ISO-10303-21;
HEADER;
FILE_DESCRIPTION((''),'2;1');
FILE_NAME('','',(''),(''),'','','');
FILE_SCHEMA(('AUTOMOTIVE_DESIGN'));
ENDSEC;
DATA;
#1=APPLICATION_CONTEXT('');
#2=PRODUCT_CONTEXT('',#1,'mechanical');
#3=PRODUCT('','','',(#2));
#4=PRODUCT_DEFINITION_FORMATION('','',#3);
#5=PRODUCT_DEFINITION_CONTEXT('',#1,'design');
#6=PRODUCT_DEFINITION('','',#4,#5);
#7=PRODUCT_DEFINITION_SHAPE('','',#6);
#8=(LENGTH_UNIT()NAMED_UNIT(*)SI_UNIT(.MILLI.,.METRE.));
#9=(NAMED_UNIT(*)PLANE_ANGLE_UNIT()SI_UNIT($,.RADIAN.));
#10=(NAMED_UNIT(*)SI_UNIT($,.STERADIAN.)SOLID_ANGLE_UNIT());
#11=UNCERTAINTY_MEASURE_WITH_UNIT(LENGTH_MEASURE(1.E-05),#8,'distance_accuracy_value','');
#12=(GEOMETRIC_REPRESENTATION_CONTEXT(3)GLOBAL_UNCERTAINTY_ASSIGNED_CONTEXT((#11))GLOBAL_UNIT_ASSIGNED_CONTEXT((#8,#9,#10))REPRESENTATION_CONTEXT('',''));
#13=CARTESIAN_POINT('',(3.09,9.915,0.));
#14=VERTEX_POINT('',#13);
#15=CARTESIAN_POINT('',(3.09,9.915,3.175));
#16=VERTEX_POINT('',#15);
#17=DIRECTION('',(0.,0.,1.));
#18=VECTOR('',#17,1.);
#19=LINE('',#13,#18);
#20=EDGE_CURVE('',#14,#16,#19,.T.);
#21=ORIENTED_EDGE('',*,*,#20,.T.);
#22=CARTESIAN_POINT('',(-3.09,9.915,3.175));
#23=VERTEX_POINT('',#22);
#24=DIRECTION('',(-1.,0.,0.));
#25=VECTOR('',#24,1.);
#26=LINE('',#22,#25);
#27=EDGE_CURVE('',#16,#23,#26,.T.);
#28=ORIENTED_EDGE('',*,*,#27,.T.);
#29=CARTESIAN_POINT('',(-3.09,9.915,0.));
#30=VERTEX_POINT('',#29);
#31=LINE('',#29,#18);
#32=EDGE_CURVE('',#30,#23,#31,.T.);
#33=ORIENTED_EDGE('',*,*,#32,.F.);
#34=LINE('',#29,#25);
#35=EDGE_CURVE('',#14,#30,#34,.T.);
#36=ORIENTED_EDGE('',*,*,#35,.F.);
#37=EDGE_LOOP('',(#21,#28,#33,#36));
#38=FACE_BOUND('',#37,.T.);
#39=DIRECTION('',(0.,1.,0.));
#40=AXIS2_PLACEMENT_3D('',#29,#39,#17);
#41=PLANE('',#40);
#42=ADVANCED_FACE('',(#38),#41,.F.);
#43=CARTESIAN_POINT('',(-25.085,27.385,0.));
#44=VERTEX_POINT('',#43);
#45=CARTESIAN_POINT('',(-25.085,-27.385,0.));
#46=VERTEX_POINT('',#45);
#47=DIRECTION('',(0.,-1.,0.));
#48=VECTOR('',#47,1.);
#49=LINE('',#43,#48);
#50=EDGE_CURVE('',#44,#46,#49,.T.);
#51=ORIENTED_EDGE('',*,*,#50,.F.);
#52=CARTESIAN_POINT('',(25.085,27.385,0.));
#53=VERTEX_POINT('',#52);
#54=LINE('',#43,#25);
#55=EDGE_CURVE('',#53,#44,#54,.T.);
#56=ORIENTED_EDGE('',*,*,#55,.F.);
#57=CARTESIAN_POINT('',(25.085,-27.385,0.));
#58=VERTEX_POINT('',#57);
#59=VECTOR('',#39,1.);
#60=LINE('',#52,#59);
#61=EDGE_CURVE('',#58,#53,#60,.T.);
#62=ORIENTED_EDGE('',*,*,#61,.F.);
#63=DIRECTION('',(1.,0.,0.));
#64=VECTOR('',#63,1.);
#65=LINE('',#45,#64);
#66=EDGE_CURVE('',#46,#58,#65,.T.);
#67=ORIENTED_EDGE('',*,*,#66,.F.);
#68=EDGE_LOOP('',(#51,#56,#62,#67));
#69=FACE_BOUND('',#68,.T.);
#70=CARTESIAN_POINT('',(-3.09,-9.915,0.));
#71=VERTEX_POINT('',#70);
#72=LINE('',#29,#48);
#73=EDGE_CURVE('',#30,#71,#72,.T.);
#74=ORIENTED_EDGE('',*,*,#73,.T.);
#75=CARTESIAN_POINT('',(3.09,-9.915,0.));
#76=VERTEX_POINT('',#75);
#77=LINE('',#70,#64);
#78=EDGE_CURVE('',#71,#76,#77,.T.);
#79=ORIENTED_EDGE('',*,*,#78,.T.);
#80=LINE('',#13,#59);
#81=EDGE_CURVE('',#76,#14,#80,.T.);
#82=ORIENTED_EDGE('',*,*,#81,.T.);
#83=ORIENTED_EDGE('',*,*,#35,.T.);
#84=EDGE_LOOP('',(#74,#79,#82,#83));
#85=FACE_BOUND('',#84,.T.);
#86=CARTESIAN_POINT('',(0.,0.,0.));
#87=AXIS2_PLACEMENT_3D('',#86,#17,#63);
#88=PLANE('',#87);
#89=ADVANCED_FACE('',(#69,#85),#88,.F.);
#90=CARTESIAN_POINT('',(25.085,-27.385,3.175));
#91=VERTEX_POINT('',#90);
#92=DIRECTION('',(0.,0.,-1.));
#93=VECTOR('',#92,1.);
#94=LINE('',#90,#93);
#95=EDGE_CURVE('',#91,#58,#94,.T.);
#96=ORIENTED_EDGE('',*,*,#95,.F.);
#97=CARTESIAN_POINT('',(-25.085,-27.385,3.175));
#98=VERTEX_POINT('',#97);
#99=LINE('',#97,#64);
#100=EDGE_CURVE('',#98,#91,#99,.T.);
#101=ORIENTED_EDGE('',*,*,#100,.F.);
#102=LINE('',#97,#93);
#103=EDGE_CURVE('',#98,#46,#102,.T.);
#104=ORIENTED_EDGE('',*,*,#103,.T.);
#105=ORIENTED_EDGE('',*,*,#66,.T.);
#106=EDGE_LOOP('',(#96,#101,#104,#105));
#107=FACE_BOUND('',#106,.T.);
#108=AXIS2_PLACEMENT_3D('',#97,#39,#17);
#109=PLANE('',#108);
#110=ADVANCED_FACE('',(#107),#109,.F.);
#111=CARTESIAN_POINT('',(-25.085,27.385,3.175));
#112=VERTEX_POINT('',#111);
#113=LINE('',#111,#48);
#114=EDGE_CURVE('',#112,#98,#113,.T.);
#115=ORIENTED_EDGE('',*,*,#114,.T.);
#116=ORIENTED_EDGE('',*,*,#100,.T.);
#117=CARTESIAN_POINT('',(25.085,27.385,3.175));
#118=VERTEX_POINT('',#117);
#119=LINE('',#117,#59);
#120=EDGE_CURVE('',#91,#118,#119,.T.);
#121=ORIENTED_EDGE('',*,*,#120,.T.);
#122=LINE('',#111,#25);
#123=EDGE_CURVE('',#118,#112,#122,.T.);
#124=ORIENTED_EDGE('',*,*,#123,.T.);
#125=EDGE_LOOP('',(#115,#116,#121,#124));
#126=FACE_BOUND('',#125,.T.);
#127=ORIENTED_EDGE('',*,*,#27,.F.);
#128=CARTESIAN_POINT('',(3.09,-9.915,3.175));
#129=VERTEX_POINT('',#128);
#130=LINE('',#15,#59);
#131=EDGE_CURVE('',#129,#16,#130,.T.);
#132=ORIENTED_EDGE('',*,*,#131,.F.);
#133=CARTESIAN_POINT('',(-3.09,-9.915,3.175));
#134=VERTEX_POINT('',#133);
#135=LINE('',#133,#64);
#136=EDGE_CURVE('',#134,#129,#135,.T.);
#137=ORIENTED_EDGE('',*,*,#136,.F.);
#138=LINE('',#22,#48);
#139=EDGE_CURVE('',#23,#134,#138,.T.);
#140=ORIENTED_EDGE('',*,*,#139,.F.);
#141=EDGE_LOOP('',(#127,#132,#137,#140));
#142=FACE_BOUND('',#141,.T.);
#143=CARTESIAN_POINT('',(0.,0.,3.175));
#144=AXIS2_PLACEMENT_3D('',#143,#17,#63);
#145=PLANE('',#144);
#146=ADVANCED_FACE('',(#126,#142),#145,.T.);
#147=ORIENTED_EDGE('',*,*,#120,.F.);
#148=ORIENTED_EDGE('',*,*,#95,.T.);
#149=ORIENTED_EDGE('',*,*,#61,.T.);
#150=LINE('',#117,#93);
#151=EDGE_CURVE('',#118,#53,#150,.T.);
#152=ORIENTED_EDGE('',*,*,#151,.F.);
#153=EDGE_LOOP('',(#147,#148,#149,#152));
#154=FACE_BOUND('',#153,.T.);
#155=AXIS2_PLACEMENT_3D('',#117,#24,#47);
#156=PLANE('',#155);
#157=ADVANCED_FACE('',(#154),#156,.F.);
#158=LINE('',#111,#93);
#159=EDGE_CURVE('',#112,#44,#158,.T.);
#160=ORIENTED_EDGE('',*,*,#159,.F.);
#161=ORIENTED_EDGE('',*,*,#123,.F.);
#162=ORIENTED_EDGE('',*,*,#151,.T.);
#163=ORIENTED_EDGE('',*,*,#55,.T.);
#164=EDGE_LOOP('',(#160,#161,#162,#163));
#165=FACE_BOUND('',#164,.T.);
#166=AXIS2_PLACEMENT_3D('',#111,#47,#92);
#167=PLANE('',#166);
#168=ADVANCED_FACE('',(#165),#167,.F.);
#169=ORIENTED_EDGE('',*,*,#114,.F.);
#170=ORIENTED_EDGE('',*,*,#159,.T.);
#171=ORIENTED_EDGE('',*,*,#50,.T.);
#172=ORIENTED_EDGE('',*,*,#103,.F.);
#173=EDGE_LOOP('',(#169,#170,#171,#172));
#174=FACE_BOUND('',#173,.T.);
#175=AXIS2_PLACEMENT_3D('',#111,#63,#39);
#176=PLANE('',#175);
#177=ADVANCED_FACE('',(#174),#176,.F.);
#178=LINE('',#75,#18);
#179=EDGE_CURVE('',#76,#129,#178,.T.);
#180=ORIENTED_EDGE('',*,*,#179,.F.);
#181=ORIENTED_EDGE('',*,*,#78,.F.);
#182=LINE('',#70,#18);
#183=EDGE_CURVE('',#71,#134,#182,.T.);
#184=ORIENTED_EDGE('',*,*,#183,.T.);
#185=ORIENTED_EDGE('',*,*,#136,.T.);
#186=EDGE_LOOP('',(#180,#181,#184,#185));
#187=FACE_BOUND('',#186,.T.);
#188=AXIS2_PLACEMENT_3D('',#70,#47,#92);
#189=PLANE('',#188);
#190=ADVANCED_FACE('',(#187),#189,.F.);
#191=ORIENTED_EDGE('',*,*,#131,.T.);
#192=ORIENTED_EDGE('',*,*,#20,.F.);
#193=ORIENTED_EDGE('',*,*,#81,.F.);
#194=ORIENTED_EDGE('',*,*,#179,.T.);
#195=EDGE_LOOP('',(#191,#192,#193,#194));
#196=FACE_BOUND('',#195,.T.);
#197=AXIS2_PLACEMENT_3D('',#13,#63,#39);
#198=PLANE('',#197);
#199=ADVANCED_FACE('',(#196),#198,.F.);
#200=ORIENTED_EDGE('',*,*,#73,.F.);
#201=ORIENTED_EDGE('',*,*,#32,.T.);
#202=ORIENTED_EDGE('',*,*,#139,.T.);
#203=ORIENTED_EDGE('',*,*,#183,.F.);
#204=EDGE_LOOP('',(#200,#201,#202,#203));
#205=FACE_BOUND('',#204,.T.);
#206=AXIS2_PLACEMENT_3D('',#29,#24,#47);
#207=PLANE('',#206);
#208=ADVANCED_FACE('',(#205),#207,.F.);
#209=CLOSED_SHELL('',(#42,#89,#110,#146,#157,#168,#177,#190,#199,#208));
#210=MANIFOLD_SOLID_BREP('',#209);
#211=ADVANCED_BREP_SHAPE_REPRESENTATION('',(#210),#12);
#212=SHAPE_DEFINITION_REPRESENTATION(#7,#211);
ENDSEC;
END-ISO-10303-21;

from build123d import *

# Parameters (mm, degrees)
SKETCH1_W           = 50.17
SKETCH1_H           = 54.77
BOSS_EXTRUDE1_DEPTH = 3.175
SKETCH3_W           = 6.18
SKETCH3_H           = 19.83
CUT_EXTRUDE1_DEPTH  = 4.175


with BuildPart() as part:
    # Sketch1 → Boss-Extrude1 (new body)
    with BuildSketch(Plane.XY):
        Rectangle(SKETCH1_W, SKETCH1_H)
    extrude(amount=BOSS_EXTRUDE1_DEPTH)

    # Sketch3 → Cut-Extrude1 (cut, through all)
    with BuildSketch(Plane.XY.offset(3.175)):
        Rectangle(SKETCH3_W, SKETCH3_H)
    extrude(amount=-CUT_EXTRUDE1_DEPTH, mode=Mode.SUBTRACT)


solid = part.part
